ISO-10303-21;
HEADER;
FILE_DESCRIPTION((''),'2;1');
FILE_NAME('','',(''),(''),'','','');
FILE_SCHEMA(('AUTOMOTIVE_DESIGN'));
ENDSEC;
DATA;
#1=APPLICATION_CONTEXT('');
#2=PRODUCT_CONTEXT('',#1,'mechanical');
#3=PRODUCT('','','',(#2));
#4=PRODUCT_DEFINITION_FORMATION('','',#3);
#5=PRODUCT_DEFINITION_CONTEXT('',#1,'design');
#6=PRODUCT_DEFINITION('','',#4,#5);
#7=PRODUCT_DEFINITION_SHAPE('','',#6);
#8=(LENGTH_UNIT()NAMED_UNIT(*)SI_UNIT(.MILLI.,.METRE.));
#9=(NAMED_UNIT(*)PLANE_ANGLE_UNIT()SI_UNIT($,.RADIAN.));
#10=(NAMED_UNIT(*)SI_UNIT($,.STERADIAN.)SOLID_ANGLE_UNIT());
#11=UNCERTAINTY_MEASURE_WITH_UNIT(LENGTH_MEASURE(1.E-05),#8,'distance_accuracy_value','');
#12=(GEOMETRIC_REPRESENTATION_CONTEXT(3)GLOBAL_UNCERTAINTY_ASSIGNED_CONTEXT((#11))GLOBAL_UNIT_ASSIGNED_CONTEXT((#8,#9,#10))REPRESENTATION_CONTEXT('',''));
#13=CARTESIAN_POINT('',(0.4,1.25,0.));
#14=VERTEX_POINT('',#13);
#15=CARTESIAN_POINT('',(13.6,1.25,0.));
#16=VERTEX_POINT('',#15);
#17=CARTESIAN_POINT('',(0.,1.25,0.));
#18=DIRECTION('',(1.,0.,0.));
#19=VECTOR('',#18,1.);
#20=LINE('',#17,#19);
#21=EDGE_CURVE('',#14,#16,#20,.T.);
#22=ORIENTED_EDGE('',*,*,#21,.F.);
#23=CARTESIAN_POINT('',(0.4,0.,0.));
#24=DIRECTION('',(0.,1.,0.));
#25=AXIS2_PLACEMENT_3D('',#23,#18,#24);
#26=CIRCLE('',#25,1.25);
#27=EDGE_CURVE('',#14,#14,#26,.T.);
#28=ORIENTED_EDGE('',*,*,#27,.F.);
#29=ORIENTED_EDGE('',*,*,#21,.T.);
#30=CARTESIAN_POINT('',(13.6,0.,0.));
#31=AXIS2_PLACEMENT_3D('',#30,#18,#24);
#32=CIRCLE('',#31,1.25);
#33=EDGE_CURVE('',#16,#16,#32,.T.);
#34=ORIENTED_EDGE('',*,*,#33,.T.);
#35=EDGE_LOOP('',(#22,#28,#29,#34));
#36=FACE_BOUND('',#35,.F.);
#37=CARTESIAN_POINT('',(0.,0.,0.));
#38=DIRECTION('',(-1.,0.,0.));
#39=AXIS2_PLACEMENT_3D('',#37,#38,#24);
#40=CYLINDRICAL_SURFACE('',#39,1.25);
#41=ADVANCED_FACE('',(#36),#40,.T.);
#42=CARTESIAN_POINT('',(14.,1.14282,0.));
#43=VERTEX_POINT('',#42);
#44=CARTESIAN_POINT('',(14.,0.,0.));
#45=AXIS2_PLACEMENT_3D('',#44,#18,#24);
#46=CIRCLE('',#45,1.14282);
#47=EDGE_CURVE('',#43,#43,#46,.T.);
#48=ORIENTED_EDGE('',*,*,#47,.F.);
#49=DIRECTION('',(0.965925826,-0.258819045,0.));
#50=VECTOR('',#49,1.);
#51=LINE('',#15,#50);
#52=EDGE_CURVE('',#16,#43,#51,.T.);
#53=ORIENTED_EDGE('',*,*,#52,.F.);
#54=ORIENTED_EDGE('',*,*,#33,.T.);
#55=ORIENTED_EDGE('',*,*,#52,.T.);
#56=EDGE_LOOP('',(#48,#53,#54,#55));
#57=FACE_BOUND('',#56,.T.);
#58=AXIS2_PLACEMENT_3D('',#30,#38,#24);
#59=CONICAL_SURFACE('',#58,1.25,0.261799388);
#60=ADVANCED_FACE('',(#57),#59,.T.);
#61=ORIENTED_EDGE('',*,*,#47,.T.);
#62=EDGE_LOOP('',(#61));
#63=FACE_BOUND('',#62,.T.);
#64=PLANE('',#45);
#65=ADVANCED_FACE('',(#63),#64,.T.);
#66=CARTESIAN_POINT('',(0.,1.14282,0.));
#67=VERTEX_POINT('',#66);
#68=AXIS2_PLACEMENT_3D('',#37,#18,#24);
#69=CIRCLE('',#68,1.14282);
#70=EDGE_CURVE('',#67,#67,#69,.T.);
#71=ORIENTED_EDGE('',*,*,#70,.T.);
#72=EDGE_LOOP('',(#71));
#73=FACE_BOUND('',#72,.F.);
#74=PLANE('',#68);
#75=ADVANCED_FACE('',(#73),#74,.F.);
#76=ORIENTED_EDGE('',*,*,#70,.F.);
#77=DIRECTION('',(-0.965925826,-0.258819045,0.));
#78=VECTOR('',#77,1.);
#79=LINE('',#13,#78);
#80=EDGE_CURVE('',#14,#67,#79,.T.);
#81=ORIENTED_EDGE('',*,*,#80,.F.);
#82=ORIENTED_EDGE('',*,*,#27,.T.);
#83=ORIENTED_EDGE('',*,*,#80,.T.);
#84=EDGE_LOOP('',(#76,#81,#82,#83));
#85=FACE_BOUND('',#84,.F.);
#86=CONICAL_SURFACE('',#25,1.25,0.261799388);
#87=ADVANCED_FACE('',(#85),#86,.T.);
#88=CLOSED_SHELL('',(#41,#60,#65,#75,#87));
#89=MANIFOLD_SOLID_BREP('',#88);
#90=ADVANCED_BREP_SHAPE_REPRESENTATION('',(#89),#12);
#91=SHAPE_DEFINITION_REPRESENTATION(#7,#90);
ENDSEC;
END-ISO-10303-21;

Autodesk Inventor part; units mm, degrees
ref_plane "YZ Plane" through (0, 0, 0) normal (1, 0, 0) x (0, 1, 0)
ref_plane "XZ Plane" through (0, 0, 0) normal (0, 1, 0) x (-1, 0, 0)
ref_plane "XY Plane" through (0, 0, 0) normal (0, 0, 1) x (1, 0, 0)
sketch "Skizze" plane through (0, 0, 0) normal (1, 0, 0) x (0, 1, 0)
  circle A0 centre (0, 0) radius 1.25
  dimension "d1" = 2.5
extrude "Körper" add sketch "Skizze" along normal blind 14
chamfer "Fase1" distance 0.4 angle 15 1 edges at (0, -1.25, 0) measured on face at (9.3333, 1.2338, -0.2005)
chamfer "Fase2" distance 0.4 angle 15 1 edges at (14, -1.25, 0) measured on face at (9.4667, 1.2459, -0.1006)
equation "\"d1\" = NND"
equation "\"d2\" = NLG"
equation "\"d4\" = PHH"
equation "\"d5\" = FAWI"
equation "\"d11\" = PHH"
equation "\"d8\" = PHH"
equation "\"d9\" = FAWI"
equation "\"d12\" = PHH"
equation "\"NND\" = 2.5"
equation "\"NLG\" = 14"
equation "\"PHH\" = 0.4"
equation "\"FAWI\" = 15deg"
equation "\"KAH\" = 0"
properties part number "ISO 2338 - 2,5 h8 x 14" material "Edelstahl, austenitisch"
